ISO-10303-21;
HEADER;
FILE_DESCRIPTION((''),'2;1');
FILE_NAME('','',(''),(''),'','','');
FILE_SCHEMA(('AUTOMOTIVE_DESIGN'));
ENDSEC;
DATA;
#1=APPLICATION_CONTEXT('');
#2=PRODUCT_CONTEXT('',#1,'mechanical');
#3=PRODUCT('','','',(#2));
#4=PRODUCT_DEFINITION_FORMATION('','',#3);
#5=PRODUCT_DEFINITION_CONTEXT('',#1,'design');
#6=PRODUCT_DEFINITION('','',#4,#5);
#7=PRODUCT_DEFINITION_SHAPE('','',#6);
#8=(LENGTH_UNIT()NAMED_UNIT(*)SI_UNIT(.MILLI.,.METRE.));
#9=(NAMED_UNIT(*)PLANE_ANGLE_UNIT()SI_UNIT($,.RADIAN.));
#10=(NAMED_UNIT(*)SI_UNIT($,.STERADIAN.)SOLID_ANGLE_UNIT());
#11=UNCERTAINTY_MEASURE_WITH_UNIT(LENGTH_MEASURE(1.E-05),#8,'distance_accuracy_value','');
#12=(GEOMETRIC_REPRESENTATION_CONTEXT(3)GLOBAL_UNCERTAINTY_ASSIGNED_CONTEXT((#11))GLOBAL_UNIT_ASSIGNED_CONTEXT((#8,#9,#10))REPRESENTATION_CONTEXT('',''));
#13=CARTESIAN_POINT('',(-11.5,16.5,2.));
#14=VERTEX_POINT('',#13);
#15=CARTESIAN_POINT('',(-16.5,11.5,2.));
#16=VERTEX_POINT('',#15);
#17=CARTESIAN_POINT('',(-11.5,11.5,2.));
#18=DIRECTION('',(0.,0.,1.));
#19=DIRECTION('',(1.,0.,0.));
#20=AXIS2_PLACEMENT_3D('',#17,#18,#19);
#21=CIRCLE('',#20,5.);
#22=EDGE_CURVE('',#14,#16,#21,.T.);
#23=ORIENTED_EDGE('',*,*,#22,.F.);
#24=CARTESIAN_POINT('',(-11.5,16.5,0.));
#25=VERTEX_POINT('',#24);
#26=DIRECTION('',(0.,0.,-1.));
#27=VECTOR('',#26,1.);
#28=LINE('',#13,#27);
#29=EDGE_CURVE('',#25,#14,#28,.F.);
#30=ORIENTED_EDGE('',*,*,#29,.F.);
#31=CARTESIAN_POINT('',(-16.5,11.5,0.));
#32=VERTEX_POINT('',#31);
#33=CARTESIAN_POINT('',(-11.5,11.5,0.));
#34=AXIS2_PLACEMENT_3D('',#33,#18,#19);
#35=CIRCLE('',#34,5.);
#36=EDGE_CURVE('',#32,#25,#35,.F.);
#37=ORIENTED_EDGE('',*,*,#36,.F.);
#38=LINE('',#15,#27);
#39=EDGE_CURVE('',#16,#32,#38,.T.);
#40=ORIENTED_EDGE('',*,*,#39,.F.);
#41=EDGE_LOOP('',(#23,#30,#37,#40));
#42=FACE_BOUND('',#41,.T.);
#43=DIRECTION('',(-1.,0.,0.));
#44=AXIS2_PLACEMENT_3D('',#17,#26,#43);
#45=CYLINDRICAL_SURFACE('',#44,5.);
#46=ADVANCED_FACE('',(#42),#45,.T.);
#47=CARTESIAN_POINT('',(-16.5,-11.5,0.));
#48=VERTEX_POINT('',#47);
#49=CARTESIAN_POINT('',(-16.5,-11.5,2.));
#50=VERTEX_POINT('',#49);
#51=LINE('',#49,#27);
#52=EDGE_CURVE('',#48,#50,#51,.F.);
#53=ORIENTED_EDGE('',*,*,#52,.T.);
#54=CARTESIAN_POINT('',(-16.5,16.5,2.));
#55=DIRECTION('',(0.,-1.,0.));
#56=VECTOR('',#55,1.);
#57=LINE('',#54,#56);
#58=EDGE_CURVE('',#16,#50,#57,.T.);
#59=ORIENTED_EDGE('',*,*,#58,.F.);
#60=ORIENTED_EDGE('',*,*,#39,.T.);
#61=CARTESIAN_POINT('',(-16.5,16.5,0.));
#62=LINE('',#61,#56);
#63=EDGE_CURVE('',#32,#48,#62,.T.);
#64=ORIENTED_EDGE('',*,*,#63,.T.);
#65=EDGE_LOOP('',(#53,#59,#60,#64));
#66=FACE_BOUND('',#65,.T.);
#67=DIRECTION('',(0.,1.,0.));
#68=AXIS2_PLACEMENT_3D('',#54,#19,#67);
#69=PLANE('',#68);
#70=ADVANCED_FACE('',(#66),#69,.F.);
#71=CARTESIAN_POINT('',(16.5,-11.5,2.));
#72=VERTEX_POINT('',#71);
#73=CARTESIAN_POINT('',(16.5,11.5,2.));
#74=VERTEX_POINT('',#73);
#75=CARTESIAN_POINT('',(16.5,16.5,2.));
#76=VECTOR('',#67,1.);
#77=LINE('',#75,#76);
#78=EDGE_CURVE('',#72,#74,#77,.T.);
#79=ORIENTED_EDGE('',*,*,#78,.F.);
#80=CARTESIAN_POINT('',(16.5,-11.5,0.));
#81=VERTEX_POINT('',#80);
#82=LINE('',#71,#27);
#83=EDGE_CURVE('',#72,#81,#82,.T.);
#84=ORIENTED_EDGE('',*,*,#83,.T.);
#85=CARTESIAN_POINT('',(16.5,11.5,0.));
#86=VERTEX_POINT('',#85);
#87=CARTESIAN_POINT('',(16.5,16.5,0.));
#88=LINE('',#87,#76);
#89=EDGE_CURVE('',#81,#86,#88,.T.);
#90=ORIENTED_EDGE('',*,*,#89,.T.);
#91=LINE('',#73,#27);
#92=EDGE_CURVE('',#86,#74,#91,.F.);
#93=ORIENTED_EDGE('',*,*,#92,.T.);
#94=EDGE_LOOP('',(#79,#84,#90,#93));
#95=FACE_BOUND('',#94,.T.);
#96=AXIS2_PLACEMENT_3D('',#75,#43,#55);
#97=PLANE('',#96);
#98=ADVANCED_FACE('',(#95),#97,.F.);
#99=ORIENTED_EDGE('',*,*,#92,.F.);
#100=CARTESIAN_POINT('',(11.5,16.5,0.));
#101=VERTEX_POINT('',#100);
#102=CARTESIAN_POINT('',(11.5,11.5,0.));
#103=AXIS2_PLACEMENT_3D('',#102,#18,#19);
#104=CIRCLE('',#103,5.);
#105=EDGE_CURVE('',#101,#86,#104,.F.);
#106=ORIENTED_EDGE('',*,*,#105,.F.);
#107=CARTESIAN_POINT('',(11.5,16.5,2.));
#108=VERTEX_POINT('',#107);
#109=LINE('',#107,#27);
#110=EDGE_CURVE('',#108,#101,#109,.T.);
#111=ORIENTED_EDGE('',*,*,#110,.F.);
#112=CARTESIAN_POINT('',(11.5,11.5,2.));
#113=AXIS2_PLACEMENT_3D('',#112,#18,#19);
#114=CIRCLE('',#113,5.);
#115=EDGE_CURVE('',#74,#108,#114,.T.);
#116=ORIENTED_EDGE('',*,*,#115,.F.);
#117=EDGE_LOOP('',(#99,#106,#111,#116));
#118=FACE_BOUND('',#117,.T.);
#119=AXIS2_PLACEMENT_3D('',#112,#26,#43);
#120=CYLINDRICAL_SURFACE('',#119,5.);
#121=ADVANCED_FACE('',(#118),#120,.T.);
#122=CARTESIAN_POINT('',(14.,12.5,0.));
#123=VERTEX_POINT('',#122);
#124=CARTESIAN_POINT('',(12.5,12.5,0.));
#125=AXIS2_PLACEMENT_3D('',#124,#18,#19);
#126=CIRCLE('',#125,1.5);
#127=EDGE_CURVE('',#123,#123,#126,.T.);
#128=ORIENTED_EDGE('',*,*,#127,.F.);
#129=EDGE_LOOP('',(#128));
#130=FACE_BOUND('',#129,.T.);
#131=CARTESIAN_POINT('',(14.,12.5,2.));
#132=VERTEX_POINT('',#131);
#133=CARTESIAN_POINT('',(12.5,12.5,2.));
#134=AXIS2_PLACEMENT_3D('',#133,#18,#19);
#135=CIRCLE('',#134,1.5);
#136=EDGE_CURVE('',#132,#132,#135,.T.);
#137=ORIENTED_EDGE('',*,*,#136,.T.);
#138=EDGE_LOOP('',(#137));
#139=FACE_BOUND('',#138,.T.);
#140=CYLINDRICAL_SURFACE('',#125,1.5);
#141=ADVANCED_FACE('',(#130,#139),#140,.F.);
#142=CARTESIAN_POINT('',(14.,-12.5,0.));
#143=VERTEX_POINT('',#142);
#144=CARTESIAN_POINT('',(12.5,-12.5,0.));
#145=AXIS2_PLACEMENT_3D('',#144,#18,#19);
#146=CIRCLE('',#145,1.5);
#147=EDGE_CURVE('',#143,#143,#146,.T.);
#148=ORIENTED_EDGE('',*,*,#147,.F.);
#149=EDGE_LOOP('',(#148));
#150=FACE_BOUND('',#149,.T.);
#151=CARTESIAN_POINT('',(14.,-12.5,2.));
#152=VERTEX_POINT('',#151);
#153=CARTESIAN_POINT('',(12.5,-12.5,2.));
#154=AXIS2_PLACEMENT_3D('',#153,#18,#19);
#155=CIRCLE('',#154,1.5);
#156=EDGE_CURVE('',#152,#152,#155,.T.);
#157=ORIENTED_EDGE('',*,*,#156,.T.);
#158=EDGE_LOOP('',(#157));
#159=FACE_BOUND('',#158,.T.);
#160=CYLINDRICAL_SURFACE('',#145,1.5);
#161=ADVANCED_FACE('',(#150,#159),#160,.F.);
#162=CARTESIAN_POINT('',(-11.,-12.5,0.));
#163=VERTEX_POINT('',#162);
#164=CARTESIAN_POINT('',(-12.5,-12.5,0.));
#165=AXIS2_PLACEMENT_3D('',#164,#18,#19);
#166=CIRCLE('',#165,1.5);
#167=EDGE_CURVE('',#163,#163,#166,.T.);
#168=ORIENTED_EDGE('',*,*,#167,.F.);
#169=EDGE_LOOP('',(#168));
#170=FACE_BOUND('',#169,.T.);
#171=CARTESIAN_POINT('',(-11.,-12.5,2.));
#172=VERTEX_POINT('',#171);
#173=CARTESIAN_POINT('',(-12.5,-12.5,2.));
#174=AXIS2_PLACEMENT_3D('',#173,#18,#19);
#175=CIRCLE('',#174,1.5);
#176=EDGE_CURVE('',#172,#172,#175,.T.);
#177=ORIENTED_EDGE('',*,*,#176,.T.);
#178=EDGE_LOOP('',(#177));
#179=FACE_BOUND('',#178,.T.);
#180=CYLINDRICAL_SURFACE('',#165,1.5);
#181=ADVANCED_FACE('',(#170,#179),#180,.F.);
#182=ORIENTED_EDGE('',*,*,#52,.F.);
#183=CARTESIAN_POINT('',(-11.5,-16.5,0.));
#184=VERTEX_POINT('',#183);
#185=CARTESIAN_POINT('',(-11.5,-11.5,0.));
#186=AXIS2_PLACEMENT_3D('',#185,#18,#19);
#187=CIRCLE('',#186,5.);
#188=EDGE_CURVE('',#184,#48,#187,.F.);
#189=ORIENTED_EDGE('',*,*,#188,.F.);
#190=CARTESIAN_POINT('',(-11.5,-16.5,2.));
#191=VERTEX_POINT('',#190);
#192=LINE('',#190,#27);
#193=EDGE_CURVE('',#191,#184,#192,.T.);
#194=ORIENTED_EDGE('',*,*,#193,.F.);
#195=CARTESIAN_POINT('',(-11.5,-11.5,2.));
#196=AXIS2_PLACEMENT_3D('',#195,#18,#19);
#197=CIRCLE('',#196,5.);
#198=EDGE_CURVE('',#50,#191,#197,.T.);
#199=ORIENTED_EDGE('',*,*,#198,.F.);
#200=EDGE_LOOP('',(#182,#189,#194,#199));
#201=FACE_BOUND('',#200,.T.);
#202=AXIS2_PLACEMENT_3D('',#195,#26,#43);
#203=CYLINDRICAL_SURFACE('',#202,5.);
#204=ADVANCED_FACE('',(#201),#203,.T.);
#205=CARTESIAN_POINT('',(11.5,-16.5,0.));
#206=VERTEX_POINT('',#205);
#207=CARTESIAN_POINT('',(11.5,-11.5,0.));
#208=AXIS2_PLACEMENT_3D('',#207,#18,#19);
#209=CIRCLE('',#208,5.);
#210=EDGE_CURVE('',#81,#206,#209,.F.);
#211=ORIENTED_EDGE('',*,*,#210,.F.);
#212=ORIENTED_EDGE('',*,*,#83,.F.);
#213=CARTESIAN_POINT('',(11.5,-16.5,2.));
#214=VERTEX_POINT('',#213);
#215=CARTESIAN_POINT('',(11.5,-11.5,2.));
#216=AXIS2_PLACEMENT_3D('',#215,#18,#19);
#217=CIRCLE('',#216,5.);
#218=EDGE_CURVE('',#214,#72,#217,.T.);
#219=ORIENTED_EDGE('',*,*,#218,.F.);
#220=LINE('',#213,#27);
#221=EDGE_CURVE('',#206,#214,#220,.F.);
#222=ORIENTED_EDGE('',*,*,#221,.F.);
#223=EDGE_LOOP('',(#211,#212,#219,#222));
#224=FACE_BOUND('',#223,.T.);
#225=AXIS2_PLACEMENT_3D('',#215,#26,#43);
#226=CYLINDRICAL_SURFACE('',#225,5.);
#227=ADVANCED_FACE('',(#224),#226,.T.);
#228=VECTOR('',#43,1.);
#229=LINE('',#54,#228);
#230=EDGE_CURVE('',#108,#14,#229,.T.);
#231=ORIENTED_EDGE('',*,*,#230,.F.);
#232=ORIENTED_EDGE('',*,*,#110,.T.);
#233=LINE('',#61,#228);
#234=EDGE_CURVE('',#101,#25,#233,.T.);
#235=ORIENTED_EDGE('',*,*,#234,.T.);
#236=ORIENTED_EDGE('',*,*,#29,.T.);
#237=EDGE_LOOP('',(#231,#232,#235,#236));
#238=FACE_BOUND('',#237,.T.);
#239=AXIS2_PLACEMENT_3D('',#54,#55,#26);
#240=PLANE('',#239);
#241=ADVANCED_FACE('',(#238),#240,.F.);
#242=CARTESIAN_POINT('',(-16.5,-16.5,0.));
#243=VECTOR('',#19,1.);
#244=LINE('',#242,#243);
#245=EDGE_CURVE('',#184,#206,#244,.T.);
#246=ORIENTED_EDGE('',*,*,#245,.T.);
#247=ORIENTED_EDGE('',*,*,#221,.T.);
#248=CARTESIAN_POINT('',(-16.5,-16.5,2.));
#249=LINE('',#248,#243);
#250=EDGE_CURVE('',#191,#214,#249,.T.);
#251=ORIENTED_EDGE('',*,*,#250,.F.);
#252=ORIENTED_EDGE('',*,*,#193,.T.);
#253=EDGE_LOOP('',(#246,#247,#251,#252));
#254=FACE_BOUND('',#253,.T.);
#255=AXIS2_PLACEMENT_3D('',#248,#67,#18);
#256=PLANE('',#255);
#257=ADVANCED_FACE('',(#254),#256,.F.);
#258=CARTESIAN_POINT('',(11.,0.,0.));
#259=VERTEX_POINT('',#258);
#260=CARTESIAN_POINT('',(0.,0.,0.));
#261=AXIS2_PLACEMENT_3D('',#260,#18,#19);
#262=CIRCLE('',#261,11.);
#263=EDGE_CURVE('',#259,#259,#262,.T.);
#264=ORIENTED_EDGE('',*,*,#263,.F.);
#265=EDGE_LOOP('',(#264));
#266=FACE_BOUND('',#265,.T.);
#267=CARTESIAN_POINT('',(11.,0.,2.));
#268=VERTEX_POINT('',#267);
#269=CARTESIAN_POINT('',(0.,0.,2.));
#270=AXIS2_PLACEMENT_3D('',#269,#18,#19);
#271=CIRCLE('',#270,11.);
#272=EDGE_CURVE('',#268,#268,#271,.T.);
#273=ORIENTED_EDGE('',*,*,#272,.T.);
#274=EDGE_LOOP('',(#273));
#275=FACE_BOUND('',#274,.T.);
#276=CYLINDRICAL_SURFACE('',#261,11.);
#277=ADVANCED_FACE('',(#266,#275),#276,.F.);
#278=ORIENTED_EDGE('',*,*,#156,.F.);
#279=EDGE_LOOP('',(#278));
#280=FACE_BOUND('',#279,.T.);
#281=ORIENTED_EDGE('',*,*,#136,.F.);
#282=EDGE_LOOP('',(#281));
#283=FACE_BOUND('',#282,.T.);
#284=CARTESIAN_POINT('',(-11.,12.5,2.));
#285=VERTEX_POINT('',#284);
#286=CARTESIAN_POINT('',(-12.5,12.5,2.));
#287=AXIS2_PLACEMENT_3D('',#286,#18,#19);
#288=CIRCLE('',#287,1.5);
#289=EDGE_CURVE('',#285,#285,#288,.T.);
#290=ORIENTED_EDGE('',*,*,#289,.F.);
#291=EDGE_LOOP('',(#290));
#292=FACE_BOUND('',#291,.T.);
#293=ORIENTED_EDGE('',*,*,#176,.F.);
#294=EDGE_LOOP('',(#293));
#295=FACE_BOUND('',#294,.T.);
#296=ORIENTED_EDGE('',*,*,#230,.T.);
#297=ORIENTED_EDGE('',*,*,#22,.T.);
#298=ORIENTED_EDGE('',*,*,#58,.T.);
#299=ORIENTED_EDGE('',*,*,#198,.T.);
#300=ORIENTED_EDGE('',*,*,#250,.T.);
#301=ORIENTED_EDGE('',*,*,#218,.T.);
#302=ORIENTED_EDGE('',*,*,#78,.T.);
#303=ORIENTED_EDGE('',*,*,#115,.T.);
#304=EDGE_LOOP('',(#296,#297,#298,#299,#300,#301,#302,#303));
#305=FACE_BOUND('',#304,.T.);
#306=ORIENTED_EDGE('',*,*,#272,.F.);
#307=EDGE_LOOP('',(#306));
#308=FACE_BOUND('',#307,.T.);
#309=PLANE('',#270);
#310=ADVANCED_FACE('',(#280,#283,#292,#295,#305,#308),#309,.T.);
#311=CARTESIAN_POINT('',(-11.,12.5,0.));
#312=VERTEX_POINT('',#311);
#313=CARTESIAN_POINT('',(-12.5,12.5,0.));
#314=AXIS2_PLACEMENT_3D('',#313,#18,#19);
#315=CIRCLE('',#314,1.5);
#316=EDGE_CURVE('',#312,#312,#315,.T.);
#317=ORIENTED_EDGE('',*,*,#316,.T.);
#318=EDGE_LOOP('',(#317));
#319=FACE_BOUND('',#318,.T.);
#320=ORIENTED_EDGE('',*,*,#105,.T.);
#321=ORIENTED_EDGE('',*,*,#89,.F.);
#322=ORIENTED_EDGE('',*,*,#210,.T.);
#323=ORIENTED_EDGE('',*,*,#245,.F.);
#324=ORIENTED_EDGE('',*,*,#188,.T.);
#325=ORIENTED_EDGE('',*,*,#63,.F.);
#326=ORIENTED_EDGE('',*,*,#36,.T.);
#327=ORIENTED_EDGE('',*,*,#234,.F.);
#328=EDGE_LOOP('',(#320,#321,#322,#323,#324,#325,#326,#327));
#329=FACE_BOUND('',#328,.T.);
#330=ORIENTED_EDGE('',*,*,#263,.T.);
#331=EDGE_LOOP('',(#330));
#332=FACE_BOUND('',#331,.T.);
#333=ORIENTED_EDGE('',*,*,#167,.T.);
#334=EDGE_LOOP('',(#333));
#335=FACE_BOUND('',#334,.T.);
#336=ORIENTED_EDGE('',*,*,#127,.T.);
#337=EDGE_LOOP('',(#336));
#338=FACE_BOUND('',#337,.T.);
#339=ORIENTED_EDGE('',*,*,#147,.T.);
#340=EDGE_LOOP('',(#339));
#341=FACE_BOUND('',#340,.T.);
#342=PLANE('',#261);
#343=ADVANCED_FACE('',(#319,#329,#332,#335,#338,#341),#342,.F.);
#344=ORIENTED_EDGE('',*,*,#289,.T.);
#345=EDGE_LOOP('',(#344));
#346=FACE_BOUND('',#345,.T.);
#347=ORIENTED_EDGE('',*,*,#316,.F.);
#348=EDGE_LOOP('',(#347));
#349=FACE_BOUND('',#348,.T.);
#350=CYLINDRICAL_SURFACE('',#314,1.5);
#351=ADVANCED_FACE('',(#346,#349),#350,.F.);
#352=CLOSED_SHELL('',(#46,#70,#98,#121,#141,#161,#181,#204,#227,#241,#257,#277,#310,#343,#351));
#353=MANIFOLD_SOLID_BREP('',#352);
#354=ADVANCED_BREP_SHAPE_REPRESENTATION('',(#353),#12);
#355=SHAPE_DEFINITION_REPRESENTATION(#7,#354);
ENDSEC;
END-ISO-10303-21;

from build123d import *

# Parameters (mm, degrees)
SKETCH_1_W          = 33
SKETCH_1_H          = 33
EXTRUDE_1_DEPTH     = 2
SKETCH_2_R          = 1.5
CUT_EXTRUDE_1_DEPTH = 24.420076857
FILLET_1_R          = 5
SKETCH_3_R          = 11
CUT_EXTRUDE_2_DEPTH = 24.420076857


with BuildPart() as part:
    # 草图1 → 凸台-拉伸1 (new body)
    with BuildSketch(Plane.XY):
        Rectangle(SKETCH_1_W, SKETCH_1_H)
    extrude(amount=EXTRUDE_1_DEPTH)

    # 草图2 → 切除-拉伸1 (cut, through all)
    with BuildSketch(Plane.XY.offset(2)):
        with Locations((-12.5, 12.5)):
            Circle(SKETCH_2_R)
        with Locations((-12.5, -12.5)):
            Circle(SKETCH_2_R)
        with Locations((12.5, -12.5)):
            Circle(SKETCH_2_R)
        with Locations((12.5, 12.5)):
            Circle(SKETCH_2_R)
    extrude(amount=-CUT_EXTRUDE_1_DEPTH, mode=Mode.SUBTRACT)

    # 圆角1
    fillet_1_edges = [part.edges().sort_by_distance(p)[0] for p in [
        (16.5, -16.5, 1),
        (-16.5, -16.5, 1),
        (-16.5, 16.5, 1),
        (16.5, 16.5, 1),
    ]]
    fillet(fillet_1_edges, radius=FILLET_1_R)

    # 草图3 → 切除-拉伸2 (cut, through all)
    with BuildSketch(Plane.XY.offset(2)):
        Circle(SKETCH_3_R)
    extrude(amount=-CUT_EXTRUDE_2_DEPTH, mode=Mode.SUBTRACT)


solid = part.part
